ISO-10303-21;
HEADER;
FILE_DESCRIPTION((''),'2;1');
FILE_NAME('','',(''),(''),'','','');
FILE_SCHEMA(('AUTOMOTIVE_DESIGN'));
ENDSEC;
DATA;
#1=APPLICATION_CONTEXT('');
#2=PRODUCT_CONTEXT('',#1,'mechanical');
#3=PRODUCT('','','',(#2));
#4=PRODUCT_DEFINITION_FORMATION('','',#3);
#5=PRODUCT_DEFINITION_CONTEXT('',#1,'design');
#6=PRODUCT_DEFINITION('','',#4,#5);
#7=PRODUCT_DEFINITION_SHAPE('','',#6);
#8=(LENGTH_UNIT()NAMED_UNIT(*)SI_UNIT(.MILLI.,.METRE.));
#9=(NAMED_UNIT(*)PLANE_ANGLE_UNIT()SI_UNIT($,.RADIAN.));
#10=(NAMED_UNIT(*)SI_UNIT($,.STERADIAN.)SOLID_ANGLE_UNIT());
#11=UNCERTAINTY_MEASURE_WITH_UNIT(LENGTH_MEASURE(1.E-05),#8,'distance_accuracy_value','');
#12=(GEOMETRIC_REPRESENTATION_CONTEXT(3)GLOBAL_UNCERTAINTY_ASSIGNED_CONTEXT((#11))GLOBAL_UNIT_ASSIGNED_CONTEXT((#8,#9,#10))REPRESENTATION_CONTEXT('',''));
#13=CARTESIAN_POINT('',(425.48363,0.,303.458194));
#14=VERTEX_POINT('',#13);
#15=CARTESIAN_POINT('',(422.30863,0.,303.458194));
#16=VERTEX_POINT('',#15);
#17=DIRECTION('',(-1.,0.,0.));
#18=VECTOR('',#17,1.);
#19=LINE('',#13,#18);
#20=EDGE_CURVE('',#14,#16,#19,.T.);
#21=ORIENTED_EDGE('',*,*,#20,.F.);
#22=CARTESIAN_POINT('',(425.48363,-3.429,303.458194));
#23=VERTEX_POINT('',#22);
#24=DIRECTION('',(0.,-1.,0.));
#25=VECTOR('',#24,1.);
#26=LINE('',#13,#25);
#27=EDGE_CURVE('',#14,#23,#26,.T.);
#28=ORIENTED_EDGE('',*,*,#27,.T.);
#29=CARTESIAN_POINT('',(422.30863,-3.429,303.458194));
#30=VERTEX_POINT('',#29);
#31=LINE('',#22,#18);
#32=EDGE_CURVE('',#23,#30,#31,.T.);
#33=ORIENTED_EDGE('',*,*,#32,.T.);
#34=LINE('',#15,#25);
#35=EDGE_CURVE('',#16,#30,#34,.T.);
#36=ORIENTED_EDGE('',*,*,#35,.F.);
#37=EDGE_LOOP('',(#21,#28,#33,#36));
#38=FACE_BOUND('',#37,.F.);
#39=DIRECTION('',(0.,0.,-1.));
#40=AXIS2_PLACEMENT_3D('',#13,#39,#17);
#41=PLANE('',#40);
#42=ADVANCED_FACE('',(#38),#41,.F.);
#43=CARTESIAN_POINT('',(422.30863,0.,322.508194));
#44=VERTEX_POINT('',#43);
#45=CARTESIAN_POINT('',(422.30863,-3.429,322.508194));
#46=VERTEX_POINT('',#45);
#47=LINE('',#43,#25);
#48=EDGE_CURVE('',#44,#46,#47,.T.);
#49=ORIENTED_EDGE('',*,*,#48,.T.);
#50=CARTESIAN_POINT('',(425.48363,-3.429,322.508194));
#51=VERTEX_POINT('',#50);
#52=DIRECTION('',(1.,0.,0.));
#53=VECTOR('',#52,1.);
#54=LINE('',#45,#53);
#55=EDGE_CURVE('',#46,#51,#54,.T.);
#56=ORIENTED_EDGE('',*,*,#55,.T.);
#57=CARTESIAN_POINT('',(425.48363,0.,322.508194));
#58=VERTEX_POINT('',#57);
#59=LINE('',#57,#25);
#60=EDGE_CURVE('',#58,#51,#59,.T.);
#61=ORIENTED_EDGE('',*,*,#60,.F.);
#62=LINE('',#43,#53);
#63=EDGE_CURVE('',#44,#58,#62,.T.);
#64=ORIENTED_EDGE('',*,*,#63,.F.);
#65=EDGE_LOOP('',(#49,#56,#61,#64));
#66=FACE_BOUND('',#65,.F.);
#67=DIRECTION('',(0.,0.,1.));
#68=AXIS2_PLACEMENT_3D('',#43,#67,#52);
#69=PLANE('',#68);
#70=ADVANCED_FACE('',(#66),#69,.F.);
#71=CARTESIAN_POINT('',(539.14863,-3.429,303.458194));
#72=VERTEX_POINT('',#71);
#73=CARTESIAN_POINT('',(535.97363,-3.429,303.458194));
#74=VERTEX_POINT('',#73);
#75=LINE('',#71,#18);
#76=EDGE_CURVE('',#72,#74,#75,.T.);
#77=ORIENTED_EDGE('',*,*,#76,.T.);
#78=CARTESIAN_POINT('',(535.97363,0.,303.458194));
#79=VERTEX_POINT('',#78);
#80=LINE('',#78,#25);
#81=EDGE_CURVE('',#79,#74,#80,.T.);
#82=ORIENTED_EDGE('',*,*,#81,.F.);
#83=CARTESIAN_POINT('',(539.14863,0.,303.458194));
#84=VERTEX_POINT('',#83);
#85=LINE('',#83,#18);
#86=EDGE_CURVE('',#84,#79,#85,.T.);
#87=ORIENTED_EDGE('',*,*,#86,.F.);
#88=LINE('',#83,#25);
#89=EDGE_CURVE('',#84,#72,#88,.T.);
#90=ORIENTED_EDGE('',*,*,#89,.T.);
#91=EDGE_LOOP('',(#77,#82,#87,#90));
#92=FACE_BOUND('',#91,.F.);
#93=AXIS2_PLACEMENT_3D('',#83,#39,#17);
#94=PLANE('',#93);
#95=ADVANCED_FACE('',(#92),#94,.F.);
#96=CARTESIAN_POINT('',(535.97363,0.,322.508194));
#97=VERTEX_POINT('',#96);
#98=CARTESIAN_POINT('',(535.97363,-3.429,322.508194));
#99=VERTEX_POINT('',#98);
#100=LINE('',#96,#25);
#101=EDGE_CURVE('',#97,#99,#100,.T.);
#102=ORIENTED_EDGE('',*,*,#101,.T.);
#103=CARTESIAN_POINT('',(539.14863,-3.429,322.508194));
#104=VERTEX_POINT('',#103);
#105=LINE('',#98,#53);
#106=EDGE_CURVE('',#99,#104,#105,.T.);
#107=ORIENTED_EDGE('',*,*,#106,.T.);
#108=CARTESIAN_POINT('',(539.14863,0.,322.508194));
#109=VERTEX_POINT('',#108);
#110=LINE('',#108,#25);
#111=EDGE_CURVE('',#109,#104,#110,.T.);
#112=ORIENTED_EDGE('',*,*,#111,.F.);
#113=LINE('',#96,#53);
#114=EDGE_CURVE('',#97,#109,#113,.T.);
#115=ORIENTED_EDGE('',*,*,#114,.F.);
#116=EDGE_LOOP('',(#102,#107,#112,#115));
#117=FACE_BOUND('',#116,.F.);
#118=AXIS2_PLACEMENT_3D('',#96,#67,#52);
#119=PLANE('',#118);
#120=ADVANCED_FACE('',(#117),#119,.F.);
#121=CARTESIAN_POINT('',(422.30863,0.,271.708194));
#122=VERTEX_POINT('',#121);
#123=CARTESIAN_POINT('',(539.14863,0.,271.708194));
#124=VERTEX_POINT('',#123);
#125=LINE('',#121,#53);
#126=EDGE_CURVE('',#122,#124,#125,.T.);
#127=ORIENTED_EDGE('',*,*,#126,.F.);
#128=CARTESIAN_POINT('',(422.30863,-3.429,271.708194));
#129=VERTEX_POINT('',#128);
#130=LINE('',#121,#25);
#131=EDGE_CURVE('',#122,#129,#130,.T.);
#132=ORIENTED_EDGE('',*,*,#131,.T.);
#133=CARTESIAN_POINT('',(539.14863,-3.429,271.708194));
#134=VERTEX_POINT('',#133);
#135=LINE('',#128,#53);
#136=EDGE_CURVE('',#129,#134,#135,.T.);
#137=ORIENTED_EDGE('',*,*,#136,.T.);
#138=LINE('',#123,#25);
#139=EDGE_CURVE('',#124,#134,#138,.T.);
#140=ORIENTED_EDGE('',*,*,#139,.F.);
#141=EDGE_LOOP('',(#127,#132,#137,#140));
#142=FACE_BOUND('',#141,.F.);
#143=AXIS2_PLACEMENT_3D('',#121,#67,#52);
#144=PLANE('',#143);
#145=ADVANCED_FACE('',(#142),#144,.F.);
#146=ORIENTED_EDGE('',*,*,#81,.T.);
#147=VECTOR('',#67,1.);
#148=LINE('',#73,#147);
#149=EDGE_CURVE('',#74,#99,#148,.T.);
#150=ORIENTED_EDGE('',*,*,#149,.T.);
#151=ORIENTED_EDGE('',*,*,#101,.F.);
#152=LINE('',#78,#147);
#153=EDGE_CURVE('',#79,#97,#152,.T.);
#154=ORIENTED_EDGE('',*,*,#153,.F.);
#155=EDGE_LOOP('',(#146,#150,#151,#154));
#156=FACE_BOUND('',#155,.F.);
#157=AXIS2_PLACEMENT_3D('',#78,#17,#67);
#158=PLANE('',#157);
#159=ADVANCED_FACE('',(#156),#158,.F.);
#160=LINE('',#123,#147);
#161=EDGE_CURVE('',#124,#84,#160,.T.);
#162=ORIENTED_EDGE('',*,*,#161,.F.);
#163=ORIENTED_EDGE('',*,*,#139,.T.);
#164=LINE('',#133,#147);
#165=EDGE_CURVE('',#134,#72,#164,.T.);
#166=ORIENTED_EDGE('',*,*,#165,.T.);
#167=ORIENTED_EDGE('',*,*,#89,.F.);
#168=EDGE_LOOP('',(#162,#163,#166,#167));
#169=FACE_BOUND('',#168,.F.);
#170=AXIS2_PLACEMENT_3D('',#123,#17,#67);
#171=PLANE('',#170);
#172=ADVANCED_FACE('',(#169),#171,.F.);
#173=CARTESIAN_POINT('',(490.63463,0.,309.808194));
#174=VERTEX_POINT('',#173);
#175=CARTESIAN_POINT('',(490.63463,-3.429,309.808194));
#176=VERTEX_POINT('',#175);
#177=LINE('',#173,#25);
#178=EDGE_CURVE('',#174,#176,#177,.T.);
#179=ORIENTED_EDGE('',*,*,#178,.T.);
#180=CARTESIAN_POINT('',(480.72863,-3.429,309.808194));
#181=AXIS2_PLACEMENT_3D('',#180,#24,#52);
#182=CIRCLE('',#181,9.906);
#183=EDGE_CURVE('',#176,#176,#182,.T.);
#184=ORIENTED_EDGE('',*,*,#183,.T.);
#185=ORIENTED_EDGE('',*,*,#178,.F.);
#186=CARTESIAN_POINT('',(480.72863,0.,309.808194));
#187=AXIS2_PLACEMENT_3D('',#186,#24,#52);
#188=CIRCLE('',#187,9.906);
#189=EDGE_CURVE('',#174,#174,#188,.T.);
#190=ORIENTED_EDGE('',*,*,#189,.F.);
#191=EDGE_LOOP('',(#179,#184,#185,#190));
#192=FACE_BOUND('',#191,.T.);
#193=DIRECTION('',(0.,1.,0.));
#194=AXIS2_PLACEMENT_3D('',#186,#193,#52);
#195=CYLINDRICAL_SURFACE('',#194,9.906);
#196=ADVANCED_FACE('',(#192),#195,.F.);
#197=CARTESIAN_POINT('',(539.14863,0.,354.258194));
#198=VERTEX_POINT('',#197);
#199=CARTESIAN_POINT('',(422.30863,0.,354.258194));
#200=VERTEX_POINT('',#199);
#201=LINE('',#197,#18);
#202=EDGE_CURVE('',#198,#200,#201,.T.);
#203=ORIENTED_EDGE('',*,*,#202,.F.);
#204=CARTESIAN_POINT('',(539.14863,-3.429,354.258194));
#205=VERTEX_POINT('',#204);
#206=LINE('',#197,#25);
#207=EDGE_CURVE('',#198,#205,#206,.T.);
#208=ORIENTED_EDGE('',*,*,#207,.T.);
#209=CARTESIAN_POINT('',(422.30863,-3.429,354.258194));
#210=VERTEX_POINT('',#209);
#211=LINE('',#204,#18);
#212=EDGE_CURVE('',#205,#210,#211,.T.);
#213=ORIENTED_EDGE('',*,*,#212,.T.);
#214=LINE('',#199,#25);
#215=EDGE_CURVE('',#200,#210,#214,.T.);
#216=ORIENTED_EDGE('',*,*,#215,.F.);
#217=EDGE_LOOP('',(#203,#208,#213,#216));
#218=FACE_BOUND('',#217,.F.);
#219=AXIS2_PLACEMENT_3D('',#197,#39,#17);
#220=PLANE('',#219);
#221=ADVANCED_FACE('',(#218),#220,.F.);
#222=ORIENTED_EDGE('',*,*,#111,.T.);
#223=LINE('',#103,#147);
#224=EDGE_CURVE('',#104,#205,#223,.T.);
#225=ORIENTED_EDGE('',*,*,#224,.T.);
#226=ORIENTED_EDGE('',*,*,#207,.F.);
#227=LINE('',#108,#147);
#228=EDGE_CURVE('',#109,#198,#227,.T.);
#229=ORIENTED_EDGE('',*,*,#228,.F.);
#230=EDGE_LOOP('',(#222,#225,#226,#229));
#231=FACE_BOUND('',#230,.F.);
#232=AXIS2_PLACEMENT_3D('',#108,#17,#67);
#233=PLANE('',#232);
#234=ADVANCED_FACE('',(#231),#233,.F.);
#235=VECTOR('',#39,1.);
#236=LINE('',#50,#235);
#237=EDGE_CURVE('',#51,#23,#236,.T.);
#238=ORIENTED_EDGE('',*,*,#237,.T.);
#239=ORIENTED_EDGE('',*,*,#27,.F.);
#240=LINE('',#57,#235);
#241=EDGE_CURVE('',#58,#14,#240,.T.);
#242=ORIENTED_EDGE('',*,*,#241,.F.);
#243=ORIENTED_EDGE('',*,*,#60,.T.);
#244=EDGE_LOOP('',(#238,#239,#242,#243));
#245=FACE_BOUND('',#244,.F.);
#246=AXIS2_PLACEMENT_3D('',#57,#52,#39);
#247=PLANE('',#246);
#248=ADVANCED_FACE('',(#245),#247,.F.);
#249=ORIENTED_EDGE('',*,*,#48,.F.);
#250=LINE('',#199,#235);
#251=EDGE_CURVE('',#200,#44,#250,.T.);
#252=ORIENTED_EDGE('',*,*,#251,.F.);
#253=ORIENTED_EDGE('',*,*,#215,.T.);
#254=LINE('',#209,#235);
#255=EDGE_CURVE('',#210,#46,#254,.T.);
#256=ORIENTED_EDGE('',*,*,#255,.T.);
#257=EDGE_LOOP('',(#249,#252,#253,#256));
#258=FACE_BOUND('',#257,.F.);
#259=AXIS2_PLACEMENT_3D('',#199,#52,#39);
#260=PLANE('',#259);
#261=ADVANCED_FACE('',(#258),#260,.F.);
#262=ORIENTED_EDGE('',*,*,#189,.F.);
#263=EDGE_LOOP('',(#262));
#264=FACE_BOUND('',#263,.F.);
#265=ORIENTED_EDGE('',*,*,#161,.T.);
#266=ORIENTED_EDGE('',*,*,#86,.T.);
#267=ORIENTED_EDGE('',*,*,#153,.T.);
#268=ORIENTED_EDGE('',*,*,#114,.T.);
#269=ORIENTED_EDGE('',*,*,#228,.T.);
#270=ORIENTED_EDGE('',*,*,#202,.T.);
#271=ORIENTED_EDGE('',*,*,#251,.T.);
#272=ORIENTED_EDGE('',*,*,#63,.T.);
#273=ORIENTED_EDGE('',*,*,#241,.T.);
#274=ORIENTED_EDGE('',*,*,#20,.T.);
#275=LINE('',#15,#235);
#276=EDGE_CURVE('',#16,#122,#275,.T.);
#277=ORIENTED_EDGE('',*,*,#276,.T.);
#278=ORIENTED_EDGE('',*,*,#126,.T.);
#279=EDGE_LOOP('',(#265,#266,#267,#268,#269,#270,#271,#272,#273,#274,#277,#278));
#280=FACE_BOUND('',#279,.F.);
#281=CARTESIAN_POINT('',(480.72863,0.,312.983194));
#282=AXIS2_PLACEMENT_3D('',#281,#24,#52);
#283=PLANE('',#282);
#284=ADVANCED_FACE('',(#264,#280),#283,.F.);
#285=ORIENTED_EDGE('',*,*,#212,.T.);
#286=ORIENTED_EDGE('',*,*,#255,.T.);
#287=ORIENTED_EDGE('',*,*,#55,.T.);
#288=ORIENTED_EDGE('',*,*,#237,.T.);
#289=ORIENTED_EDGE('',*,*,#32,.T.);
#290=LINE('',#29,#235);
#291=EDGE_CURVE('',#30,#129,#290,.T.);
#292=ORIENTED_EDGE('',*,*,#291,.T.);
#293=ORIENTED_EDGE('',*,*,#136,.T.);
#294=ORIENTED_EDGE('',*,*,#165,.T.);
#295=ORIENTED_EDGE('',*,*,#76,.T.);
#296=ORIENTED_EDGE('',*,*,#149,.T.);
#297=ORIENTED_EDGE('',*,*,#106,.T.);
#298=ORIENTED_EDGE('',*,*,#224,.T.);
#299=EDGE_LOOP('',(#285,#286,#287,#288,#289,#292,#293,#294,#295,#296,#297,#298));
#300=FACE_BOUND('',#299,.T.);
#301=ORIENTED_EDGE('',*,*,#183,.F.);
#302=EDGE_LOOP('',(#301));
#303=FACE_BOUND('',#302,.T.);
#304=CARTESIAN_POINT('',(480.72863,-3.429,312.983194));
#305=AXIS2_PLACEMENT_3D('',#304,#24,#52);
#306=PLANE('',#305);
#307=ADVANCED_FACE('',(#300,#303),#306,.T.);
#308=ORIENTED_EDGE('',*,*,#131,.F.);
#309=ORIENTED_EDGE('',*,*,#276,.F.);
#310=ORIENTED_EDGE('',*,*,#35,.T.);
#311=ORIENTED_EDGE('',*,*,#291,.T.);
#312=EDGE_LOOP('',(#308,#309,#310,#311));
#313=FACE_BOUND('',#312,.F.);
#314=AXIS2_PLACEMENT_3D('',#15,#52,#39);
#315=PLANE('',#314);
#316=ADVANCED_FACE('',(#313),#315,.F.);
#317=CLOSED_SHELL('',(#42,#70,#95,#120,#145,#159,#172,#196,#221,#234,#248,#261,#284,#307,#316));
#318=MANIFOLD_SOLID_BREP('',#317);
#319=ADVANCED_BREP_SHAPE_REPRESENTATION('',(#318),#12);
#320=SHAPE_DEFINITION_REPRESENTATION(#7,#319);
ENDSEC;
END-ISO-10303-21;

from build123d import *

# Parameters (mm, degrees)
F0_R     = 9.906
F1_DEPTH = 3.429


with BuildPart() as f1:
    # F0 (on Front) → F1 (new body)
    with BuildSketch(Plane.XZ):
        Polygon((422.30863, 303.458194), (422.30863, 271.708194), (539.14863, 271.708194), (539.14863, 303.458194), (535.97363, 303.458194), (535.97363, 322.508194), (539.14863, 322.508194), (539.14863, 354.258194), (422.30863, 354.258194), (422.30863, 322.508194), (425.48363, 322.508194), (425.48363, 303.458194), align=None)
        with Locations((480.72863, 309.808194)):
            Circle(F0_R, mode=Mode.SUBTRACT)
    extrude(amount=F1_DEPTH)


solid = f1.part
